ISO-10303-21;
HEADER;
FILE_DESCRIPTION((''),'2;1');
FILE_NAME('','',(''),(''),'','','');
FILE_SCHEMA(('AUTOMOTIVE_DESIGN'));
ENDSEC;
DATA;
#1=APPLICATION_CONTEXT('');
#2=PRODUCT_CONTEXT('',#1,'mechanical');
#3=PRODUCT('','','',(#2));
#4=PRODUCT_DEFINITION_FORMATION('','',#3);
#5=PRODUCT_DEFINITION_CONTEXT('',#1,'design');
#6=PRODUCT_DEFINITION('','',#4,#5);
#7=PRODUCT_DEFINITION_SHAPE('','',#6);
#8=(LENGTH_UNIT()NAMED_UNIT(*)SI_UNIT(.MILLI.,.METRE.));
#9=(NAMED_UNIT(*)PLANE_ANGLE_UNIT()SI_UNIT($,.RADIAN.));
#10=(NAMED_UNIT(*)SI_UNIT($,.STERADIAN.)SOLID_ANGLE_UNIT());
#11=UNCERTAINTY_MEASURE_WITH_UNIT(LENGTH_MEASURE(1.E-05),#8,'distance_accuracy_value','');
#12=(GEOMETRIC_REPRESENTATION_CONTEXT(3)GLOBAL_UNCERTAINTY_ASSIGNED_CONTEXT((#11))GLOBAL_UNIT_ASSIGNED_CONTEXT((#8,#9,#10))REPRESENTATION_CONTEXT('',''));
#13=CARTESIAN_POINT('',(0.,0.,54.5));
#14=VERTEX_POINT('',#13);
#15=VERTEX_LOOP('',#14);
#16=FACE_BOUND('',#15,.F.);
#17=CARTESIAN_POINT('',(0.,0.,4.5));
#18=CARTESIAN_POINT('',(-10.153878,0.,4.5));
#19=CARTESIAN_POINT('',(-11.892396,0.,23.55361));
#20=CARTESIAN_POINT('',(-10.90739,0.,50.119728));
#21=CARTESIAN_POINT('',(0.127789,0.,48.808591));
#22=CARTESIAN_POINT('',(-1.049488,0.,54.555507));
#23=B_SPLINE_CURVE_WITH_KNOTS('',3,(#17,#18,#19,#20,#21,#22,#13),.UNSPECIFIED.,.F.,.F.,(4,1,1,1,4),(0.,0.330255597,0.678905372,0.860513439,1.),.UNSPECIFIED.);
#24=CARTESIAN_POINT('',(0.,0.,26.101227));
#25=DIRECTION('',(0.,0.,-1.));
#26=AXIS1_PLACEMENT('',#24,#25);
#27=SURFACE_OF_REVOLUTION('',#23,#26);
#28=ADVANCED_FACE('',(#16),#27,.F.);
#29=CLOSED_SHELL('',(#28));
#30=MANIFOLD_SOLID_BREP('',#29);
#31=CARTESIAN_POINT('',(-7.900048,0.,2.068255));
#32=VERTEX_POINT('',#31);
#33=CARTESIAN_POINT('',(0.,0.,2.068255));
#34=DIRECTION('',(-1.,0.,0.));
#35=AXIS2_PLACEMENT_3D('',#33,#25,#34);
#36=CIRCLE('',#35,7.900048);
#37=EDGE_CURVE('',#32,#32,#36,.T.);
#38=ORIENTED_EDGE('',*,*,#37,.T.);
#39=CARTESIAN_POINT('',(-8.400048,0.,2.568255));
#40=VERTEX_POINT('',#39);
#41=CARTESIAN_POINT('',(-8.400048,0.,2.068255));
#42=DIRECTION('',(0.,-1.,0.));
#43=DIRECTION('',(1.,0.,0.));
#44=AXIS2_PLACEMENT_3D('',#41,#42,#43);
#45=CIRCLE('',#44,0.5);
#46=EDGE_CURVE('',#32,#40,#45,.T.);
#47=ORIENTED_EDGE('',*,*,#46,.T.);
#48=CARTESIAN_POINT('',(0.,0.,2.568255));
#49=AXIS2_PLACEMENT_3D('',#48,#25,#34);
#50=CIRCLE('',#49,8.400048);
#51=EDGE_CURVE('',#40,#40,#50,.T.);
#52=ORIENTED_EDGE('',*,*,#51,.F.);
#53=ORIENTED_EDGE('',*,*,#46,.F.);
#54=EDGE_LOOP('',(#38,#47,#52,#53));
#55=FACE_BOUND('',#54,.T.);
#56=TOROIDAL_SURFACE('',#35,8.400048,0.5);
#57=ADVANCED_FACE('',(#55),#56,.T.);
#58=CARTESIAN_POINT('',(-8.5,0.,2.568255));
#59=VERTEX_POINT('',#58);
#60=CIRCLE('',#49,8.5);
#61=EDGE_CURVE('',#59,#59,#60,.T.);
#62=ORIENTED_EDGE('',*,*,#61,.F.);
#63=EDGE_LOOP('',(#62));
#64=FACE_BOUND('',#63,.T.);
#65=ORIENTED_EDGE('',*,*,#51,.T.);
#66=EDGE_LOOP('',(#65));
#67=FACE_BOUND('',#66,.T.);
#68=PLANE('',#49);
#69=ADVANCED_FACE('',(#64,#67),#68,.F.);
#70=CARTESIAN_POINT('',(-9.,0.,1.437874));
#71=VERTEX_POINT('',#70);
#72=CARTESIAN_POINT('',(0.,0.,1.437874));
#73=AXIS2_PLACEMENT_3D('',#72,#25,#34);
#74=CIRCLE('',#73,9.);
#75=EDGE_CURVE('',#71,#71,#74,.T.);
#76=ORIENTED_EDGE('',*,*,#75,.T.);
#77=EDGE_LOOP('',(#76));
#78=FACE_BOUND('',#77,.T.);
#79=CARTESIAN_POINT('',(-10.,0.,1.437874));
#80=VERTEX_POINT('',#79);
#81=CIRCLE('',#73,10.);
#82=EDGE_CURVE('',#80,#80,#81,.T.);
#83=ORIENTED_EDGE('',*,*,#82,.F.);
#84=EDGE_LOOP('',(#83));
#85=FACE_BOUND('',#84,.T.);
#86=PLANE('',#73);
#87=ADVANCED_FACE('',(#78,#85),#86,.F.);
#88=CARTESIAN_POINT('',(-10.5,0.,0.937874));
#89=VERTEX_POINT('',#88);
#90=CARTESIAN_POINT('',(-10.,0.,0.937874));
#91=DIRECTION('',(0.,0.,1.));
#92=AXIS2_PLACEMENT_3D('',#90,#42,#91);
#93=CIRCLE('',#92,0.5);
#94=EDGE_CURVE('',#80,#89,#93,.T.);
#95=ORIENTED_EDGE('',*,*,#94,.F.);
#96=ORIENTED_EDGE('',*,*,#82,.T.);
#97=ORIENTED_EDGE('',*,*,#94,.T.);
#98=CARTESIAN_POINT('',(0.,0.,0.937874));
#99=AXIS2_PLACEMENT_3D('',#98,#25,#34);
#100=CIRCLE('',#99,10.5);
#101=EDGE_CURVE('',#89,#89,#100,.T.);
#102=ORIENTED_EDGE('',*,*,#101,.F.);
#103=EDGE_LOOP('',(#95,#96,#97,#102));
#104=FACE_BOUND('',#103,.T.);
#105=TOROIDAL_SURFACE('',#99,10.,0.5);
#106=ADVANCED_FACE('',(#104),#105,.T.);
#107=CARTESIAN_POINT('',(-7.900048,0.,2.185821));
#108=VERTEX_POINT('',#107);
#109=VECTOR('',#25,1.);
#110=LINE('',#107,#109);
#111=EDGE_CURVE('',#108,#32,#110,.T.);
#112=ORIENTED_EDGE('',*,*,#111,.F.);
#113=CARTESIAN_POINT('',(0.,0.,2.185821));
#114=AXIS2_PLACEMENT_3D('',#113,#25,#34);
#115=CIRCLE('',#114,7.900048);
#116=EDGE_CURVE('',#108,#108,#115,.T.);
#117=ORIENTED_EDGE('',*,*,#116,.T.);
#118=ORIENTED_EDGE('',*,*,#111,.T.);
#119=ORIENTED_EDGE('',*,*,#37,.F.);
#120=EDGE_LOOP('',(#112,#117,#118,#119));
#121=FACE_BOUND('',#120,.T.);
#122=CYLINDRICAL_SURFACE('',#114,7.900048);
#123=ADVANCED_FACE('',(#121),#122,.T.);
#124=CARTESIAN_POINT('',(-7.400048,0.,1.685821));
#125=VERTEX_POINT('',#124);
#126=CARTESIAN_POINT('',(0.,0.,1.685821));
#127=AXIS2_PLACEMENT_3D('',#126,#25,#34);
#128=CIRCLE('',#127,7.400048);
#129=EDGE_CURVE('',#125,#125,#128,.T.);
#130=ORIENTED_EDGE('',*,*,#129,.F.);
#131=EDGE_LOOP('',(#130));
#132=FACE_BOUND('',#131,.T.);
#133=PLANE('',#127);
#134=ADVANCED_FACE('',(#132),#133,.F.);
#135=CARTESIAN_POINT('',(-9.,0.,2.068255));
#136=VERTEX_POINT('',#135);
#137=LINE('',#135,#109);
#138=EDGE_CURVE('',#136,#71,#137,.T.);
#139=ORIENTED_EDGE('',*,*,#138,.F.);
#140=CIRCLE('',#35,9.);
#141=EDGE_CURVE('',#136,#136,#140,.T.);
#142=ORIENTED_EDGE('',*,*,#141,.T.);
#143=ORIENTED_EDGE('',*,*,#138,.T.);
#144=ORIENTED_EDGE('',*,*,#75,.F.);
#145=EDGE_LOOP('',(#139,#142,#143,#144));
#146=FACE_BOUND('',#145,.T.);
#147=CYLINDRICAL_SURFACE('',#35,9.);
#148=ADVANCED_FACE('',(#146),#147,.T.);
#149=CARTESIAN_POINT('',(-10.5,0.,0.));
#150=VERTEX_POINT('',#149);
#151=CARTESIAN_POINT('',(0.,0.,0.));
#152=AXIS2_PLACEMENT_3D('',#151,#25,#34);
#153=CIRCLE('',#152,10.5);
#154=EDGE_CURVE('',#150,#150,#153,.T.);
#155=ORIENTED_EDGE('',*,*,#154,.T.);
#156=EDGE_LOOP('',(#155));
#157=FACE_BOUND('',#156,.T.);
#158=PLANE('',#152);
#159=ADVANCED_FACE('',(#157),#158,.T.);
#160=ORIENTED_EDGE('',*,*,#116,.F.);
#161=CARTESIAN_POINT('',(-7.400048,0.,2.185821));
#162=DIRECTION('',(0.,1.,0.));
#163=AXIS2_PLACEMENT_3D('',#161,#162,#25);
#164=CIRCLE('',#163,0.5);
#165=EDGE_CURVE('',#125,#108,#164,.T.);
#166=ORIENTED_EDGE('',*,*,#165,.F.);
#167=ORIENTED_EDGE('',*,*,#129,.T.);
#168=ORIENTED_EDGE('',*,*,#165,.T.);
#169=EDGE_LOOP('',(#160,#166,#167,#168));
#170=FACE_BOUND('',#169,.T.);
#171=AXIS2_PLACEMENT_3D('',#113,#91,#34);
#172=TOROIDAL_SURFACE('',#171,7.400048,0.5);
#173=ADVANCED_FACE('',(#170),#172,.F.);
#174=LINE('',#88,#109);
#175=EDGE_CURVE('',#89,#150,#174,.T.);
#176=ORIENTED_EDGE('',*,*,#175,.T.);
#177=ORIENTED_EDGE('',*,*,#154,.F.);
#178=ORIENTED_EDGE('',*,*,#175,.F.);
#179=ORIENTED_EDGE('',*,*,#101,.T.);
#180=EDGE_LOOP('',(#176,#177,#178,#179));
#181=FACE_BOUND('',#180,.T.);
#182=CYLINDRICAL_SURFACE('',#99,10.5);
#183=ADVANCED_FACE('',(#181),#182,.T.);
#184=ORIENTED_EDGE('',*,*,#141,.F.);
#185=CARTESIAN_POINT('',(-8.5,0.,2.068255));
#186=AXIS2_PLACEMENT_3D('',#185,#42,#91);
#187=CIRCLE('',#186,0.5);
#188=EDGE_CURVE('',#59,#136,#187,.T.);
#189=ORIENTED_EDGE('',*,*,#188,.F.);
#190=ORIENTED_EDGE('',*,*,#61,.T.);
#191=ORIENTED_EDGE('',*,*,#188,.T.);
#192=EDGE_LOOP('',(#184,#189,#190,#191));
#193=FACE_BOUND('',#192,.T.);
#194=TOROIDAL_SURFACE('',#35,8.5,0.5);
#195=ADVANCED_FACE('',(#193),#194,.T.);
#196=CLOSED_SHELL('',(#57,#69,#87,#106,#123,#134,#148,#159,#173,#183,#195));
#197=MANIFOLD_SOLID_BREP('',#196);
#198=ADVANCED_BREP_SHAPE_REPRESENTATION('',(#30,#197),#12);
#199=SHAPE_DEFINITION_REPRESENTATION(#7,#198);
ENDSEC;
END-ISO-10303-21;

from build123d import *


with BuildPart() as f1:
    # F0 (on Front) → F1 (revolve)
    with BuildSketch(Plane.XZ):
        with BuildLine():
            add(Edge.make_bspline(
                [(0, 4.4999998063), (-10.1538784802, 4.4999998063), (-11.8923961417, 23.5536097703), (-10.9073898369, 50.1197279115), (0.1277887411, 48.8085907747), (-1.049487708, 54.5555072142), (0, 54.4999998063)],
                knots=[0, 0, 0, 0, 0.3302555972, 0.6789053717, 0.8605134392, 1, 1, 1, 1], degree=3))
            Line((0, 4.4999998063), (0, 54.4999998063))
        make_face()
    revolve(axis=Axis((0, 0, 26.1012269184), (0, 0, -1)))


with BuildPart() as f1b:
    # F0 (on Front) → F1, piece 2 (revolve)
    with BuildSketch(Plane.XZ):
        with BuildLine():
            Line((0, 0), (0, 1.6858210473))
            Line((0, 1.6858210473), (-7.4000479612, 1.6858210473))
            ThreePointArc((-7.4000479612, 1.6858210473), (-7.7536013518, 1.8322676567), (-7.9000479612, 2.1858210473))
            Line((-7.9000479612, 2.1858210473), (-7.9000479612, 2.0682554732))
            ThreePointArc((-7.9000479612, 2.0682554732), (-8.0464945706, 2.4218088638), (-8.4000479612, 2.5682554732))
            Line((-8.4000479612, 2.5682554732), (-8.5, 2.5682554732))
            ThreePointArc((-8.5, 2.5682554732), (-8.8535533906, 2.4218088638), (-9, 2.0682554732))
            Line((-9, 2.0682554732), (-9, 1.4378740991))
            Line((-9, 1.4378740991), (-10, 1.4378740991))
            ThreePointArc((-10, 1.4378740991), (-10.3535533906, 1.2914274897), (-10.5, 0.9378740991))
            Line((-10.5, 0.9378740991), (-10.5, 0))
            Line((-10.5, 0), (0, 0))
        make_face()
    revolve(axis=Axis((0, 0, 26.1012269184), (0, 0, -1)))


solid = Compound([f1.part, f1b.part])
